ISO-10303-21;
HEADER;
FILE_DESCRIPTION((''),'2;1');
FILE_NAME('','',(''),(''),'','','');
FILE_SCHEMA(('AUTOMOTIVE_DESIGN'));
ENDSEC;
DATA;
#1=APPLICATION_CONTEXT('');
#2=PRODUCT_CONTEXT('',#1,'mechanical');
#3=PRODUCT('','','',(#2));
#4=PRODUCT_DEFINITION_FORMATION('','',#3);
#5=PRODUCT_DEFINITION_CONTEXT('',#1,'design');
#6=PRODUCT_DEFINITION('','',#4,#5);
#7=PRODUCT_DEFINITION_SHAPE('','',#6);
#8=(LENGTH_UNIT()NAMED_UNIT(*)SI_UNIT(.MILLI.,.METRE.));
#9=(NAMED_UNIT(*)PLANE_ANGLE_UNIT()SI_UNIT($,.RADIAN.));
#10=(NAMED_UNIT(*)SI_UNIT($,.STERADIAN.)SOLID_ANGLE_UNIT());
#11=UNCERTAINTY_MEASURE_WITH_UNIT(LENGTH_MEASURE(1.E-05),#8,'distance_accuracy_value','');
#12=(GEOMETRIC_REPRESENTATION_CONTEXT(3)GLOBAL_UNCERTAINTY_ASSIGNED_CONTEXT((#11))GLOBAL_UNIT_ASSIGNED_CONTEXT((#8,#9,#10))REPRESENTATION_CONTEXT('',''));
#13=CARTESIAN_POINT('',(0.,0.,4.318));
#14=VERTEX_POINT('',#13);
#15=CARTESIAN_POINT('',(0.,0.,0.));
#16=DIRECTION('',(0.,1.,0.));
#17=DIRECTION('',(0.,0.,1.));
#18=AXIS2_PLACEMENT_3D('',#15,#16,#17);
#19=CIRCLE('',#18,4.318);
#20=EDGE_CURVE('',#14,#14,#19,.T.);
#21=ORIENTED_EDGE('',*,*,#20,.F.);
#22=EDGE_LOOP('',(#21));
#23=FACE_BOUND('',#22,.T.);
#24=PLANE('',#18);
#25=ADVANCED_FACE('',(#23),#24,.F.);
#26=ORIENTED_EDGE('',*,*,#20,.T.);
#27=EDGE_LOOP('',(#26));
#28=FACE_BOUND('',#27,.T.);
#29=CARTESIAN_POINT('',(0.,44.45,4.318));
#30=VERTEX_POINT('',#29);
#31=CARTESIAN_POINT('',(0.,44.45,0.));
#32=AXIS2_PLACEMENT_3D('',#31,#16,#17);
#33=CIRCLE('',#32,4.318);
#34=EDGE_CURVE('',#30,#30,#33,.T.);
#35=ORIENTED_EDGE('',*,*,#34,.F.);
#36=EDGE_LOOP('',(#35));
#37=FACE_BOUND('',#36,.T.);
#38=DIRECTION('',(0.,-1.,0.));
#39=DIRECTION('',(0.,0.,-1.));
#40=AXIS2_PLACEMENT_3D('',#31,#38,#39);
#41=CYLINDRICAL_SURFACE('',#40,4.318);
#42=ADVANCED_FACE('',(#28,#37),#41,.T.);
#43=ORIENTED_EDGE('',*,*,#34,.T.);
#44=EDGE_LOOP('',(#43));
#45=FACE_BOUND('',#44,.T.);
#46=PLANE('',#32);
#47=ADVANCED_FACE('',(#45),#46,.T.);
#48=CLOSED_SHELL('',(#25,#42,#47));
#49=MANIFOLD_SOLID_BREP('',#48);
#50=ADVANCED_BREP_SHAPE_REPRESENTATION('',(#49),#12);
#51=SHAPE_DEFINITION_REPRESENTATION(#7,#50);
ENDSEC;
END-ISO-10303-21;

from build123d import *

# Parameters (mm, degrees)
SKETCH1_R           = 4.318
BOSS_EXTRUDE1_DEPTH = 44.45


with BuildPart() as part:
    # Sketch1 → Boss-Extrude1 (new body)
    with BuildSketch(Plane(origin=(0, 0, 0), x_dir=(1, 0, 0), z_dir=(0, 1, 0))):
        with Locations(Location((0, 0, 0), (0, 0, 270))):
            Circle(SKETCH1_R)
    extrude(amount=BOSS_EXTRUDE1_DEPTH)


solid = part.part
